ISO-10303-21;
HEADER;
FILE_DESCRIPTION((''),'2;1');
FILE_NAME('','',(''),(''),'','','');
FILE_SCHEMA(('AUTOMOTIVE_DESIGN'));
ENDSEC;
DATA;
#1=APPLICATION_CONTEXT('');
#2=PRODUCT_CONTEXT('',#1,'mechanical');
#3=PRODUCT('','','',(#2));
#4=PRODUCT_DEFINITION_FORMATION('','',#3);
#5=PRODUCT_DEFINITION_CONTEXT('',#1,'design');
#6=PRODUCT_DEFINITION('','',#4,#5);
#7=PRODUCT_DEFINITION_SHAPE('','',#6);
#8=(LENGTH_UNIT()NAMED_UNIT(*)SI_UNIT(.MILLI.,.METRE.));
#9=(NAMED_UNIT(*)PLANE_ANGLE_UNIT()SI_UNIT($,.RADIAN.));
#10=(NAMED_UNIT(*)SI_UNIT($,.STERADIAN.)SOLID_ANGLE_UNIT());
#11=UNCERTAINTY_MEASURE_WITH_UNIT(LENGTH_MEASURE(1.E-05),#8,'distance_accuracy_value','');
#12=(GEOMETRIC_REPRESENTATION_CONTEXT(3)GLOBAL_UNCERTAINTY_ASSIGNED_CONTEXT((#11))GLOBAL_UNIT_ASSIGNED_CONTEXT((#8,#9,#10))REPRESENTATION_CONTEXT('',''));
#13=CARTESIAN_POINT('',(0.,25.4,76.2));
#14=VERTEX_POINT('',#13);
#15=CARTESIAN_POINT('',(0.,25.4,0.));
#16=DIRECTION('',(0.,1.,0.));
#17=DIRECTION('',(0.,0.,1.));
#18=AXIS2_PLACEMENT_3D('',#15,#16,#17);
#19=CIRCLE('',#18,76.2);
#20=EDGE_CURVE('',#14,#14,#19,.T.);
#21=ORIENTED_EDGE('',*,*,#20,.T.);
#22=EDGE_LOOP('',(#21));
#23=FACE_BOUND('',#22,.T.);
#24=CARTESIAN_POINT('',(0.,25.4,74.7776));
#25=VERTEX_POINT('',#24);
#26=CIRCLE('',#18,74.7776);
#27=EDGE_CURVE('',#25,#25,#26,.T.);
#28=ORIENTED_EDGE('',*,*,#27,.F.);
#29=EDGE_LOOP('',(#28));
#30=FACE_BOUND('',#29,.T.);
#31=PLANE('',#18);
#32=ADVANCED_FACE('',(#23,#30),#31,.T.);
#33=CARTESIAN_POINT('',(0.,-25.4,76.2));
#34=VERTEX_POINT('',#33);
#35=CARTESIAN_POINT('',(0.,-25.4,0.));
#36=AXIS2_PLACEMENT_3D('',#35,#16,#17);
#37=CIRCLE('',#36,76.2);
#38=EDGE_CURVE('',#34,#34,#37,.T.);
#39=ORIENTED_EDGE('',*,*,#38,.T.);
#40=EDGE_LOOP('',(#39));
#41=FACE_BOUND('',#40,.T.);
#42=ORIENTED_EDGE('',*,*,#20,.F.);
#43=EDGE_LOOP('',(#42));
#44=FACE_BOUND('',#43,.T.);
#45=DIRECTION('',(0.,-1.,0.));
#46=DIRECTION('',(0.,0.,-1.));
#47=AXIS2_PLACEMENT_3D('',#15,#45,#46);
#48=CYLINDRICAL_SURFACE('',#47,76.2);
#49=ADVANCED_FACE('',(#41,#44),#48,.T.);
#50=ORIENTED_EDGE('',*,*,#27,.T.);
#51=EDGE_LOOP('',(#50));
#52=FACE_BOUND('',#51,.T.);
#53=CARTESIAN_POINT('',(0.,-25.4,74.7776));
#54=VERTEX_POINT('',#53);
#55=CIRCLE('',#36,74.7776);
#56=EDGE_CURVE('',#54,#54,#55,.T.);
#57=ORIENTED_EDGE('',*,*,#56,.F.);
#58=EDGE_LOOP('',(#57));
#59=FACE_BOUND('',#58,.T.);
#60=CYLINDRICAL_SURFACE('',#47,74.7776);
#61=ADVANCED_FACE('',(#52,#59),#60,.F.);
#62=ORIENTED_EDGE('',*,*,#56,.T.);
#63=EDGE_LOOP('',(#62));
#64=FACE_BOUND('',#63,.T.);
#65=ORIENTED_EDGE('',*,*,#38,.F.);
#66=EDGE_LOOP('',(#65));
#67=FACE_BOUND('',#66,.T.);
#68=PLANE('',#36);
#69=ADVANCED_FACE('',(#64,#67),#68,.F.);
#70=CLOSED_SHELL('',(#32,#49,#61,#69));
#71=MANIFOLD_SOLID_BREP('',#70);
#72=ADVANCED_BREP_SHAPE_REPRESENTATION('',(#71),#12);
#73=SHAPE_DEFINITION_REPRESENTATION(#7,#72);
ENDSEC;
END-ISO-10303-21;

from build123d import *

# Parameters (mm, degrees)
SKETCH2_R           = 76.2
SKETCH2_R_2         = 74.7776
BOSS_EXTRUDE1_DEPTH = 25.4


with BuildPart() as part:
    # Sketch2 → Boss-Extrude1 (new, symmetric)
    with BuildSketch(Plane(origin=(0, 0, 0), x_dir=(1, 0, 0), z_dir=(0, 1, 0))):
        with Locations(Location((0, 0, 0), (0, 0, 270))):
            Circle(SKETCH2_R)
        with Locations(Location((0, 0, 0), (0, 0, 270))):
            Circle(SKETCH2_R_2, mode=Mode.SUBTRACT)
    extrude(amount=BOSS_EXTRUDE1_DEPTH, both=True)


solid = part.part
